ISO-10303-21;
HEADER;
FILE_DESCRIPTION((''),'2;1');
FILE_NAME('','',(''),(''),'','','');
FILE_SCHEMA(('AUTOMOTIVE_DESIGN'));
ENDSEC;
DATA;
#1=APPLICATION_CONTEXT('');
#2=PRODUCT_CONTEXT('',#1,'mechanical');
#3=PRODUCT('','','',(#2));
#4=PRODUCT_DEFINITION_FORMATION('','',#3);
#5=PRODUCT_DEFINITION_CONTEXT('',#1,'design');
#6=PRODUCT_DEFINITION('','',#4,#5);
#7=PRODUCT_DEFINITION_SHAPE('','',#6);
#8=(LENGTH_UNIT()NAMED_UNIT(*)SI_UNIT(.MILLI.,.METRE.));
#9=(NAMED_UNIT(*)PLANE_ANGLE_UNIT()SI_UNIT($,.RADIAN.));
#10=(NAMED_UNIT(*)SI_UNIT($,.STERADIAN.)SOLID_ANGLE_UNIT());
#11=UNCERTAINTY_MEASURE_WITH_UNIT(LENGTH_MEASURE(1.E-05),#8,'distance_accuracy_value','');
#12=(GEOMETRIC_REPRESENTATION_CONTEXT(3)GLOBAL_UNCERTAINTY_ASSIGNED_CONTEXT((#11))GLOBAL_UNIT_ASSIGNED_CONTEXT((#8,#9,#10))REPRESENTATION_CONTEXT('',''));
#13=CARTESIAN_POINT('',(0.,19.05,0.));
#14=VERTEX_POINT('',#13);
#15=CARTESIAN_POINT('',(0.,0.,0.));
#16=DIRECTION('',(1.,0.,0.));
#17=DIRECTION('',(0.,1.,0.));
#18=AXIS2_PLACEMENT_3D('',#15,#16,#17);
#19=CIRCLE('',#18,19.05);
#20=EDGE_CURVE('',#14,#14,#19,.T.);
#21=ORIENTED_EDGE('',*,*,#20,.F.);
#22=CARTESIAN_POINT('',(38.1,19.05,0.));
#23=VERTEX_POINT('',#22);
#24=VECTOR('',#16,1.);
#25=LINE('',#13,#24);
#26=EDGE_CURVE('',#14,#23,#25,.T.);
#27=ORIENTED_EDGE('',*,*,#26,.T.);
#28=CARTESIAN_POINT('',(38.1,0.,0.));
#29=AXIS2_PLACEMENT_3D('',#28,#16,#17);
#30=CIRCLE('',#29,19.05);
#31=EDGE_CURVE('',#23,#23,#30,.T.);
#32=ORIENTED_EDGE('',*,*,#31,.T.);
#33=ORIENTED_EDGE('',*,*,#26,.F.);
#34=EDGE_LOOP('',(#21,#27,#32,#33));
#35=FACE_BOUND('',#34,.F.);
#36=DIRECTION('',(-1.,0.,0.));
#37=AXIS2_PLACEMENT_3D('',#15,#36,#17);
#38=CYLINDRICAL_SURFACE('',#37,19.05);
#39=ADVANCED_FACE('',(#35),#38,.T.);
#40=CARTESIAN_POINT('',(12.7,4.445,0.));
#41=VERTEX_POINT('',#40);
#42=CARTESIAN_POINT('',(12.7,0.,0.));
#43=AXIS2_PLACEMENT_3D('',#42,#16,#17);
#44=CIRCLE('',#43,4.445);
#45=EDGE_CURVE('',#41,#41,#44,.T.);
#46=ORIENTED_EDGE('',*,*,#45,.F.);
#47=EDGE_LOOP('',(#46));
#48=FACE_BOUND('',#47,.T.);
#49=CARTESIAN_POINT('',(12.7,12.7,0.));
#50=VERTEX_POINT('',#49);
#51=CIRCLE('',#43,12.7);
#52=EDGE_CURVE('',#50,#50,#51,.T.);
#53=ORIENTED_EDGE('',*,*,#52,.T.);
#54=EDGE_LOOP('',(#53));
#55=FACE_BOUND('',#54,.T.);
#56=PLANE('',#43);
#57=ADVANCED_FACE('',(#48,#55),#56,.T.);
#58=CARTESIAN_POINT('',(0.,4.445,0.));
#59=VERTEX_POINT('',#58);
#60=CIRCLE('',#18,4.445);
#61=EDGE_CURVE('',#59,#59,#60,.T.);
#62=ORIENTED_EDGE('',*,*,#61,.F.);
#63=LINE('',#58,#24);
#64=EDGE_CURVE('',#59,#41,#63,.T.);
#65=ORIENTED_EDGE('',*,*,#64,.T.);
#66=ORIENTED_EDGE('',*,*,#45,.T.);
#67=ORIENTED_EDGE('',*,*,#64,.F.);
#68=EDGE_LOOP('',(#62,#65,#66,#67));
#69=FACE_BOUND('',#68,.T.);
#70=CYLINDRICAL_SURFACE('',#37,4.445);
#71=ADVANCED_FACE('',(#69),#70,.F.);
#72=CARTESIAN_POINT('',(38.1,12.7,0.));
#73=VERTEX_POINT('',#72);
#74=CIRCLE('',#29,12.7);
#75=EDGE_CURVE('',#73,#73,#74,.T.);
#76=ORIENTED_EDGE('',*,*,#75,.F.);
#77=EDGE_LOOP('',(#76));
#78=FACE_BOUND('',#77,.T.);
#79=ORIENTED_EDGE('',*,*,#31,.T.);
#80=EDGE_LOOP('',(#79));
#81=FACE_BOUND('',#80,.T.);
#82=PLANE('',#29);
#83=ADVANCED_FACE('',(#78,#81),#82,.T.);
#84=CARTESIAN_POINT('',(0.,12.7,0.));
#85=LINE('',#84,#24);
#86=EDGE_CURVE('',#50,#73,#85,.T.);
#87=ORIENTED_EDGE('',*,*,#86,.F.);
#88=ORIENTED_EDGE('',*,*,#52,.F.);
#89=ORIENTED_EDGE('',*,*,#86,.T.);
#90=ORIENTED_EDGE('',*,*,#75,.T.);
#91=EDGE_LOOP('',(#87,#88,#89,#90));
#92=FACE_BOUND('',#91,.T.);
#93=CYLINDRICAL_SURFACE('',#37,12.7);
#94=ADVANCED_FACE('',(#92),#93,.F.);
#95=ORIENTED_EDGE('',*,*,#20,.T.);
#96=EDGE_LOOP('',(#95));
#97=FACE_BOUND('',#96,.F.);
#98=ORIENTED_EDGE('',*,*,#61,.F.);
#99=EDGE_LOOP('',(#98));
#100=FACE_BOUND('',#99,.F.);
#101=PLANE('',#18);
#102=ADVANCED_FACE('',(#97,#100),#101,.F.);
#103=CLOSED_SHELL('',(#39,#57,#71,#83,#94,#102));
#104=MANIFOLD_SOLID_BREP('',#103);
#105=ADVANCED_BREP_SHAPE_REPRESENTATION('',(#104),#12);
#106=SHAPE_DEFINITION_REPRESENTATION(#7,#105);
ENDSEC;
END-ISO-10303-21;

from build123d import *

# Parameters (mm, degrees)
F0_R     = 19.05
F0_R_2   = 12.7
F1_DEPTH = 38.1
F0_R_3   = 4.445
F2_DEPTH = 12.7


with BuildPart() as f1:
    # F0 (on Right) → F1 (new body)
    with BuildSketch(Plane.YZ):
        Circle(F0_R)
        Circle(F0_R_2, mode=Mode.SUBTRACT)
    extrude(amount=F1_DEPTH)

    # F0 (on Right) → F2 (join)
    with BuildSketch(Plane.YZ):
        Circle(F0_R_2)
        Circle(F0_R_3, mode=Mode.SUBTRACT)
    extrude(amount=F2_DEPTH)


solid = f1.part
